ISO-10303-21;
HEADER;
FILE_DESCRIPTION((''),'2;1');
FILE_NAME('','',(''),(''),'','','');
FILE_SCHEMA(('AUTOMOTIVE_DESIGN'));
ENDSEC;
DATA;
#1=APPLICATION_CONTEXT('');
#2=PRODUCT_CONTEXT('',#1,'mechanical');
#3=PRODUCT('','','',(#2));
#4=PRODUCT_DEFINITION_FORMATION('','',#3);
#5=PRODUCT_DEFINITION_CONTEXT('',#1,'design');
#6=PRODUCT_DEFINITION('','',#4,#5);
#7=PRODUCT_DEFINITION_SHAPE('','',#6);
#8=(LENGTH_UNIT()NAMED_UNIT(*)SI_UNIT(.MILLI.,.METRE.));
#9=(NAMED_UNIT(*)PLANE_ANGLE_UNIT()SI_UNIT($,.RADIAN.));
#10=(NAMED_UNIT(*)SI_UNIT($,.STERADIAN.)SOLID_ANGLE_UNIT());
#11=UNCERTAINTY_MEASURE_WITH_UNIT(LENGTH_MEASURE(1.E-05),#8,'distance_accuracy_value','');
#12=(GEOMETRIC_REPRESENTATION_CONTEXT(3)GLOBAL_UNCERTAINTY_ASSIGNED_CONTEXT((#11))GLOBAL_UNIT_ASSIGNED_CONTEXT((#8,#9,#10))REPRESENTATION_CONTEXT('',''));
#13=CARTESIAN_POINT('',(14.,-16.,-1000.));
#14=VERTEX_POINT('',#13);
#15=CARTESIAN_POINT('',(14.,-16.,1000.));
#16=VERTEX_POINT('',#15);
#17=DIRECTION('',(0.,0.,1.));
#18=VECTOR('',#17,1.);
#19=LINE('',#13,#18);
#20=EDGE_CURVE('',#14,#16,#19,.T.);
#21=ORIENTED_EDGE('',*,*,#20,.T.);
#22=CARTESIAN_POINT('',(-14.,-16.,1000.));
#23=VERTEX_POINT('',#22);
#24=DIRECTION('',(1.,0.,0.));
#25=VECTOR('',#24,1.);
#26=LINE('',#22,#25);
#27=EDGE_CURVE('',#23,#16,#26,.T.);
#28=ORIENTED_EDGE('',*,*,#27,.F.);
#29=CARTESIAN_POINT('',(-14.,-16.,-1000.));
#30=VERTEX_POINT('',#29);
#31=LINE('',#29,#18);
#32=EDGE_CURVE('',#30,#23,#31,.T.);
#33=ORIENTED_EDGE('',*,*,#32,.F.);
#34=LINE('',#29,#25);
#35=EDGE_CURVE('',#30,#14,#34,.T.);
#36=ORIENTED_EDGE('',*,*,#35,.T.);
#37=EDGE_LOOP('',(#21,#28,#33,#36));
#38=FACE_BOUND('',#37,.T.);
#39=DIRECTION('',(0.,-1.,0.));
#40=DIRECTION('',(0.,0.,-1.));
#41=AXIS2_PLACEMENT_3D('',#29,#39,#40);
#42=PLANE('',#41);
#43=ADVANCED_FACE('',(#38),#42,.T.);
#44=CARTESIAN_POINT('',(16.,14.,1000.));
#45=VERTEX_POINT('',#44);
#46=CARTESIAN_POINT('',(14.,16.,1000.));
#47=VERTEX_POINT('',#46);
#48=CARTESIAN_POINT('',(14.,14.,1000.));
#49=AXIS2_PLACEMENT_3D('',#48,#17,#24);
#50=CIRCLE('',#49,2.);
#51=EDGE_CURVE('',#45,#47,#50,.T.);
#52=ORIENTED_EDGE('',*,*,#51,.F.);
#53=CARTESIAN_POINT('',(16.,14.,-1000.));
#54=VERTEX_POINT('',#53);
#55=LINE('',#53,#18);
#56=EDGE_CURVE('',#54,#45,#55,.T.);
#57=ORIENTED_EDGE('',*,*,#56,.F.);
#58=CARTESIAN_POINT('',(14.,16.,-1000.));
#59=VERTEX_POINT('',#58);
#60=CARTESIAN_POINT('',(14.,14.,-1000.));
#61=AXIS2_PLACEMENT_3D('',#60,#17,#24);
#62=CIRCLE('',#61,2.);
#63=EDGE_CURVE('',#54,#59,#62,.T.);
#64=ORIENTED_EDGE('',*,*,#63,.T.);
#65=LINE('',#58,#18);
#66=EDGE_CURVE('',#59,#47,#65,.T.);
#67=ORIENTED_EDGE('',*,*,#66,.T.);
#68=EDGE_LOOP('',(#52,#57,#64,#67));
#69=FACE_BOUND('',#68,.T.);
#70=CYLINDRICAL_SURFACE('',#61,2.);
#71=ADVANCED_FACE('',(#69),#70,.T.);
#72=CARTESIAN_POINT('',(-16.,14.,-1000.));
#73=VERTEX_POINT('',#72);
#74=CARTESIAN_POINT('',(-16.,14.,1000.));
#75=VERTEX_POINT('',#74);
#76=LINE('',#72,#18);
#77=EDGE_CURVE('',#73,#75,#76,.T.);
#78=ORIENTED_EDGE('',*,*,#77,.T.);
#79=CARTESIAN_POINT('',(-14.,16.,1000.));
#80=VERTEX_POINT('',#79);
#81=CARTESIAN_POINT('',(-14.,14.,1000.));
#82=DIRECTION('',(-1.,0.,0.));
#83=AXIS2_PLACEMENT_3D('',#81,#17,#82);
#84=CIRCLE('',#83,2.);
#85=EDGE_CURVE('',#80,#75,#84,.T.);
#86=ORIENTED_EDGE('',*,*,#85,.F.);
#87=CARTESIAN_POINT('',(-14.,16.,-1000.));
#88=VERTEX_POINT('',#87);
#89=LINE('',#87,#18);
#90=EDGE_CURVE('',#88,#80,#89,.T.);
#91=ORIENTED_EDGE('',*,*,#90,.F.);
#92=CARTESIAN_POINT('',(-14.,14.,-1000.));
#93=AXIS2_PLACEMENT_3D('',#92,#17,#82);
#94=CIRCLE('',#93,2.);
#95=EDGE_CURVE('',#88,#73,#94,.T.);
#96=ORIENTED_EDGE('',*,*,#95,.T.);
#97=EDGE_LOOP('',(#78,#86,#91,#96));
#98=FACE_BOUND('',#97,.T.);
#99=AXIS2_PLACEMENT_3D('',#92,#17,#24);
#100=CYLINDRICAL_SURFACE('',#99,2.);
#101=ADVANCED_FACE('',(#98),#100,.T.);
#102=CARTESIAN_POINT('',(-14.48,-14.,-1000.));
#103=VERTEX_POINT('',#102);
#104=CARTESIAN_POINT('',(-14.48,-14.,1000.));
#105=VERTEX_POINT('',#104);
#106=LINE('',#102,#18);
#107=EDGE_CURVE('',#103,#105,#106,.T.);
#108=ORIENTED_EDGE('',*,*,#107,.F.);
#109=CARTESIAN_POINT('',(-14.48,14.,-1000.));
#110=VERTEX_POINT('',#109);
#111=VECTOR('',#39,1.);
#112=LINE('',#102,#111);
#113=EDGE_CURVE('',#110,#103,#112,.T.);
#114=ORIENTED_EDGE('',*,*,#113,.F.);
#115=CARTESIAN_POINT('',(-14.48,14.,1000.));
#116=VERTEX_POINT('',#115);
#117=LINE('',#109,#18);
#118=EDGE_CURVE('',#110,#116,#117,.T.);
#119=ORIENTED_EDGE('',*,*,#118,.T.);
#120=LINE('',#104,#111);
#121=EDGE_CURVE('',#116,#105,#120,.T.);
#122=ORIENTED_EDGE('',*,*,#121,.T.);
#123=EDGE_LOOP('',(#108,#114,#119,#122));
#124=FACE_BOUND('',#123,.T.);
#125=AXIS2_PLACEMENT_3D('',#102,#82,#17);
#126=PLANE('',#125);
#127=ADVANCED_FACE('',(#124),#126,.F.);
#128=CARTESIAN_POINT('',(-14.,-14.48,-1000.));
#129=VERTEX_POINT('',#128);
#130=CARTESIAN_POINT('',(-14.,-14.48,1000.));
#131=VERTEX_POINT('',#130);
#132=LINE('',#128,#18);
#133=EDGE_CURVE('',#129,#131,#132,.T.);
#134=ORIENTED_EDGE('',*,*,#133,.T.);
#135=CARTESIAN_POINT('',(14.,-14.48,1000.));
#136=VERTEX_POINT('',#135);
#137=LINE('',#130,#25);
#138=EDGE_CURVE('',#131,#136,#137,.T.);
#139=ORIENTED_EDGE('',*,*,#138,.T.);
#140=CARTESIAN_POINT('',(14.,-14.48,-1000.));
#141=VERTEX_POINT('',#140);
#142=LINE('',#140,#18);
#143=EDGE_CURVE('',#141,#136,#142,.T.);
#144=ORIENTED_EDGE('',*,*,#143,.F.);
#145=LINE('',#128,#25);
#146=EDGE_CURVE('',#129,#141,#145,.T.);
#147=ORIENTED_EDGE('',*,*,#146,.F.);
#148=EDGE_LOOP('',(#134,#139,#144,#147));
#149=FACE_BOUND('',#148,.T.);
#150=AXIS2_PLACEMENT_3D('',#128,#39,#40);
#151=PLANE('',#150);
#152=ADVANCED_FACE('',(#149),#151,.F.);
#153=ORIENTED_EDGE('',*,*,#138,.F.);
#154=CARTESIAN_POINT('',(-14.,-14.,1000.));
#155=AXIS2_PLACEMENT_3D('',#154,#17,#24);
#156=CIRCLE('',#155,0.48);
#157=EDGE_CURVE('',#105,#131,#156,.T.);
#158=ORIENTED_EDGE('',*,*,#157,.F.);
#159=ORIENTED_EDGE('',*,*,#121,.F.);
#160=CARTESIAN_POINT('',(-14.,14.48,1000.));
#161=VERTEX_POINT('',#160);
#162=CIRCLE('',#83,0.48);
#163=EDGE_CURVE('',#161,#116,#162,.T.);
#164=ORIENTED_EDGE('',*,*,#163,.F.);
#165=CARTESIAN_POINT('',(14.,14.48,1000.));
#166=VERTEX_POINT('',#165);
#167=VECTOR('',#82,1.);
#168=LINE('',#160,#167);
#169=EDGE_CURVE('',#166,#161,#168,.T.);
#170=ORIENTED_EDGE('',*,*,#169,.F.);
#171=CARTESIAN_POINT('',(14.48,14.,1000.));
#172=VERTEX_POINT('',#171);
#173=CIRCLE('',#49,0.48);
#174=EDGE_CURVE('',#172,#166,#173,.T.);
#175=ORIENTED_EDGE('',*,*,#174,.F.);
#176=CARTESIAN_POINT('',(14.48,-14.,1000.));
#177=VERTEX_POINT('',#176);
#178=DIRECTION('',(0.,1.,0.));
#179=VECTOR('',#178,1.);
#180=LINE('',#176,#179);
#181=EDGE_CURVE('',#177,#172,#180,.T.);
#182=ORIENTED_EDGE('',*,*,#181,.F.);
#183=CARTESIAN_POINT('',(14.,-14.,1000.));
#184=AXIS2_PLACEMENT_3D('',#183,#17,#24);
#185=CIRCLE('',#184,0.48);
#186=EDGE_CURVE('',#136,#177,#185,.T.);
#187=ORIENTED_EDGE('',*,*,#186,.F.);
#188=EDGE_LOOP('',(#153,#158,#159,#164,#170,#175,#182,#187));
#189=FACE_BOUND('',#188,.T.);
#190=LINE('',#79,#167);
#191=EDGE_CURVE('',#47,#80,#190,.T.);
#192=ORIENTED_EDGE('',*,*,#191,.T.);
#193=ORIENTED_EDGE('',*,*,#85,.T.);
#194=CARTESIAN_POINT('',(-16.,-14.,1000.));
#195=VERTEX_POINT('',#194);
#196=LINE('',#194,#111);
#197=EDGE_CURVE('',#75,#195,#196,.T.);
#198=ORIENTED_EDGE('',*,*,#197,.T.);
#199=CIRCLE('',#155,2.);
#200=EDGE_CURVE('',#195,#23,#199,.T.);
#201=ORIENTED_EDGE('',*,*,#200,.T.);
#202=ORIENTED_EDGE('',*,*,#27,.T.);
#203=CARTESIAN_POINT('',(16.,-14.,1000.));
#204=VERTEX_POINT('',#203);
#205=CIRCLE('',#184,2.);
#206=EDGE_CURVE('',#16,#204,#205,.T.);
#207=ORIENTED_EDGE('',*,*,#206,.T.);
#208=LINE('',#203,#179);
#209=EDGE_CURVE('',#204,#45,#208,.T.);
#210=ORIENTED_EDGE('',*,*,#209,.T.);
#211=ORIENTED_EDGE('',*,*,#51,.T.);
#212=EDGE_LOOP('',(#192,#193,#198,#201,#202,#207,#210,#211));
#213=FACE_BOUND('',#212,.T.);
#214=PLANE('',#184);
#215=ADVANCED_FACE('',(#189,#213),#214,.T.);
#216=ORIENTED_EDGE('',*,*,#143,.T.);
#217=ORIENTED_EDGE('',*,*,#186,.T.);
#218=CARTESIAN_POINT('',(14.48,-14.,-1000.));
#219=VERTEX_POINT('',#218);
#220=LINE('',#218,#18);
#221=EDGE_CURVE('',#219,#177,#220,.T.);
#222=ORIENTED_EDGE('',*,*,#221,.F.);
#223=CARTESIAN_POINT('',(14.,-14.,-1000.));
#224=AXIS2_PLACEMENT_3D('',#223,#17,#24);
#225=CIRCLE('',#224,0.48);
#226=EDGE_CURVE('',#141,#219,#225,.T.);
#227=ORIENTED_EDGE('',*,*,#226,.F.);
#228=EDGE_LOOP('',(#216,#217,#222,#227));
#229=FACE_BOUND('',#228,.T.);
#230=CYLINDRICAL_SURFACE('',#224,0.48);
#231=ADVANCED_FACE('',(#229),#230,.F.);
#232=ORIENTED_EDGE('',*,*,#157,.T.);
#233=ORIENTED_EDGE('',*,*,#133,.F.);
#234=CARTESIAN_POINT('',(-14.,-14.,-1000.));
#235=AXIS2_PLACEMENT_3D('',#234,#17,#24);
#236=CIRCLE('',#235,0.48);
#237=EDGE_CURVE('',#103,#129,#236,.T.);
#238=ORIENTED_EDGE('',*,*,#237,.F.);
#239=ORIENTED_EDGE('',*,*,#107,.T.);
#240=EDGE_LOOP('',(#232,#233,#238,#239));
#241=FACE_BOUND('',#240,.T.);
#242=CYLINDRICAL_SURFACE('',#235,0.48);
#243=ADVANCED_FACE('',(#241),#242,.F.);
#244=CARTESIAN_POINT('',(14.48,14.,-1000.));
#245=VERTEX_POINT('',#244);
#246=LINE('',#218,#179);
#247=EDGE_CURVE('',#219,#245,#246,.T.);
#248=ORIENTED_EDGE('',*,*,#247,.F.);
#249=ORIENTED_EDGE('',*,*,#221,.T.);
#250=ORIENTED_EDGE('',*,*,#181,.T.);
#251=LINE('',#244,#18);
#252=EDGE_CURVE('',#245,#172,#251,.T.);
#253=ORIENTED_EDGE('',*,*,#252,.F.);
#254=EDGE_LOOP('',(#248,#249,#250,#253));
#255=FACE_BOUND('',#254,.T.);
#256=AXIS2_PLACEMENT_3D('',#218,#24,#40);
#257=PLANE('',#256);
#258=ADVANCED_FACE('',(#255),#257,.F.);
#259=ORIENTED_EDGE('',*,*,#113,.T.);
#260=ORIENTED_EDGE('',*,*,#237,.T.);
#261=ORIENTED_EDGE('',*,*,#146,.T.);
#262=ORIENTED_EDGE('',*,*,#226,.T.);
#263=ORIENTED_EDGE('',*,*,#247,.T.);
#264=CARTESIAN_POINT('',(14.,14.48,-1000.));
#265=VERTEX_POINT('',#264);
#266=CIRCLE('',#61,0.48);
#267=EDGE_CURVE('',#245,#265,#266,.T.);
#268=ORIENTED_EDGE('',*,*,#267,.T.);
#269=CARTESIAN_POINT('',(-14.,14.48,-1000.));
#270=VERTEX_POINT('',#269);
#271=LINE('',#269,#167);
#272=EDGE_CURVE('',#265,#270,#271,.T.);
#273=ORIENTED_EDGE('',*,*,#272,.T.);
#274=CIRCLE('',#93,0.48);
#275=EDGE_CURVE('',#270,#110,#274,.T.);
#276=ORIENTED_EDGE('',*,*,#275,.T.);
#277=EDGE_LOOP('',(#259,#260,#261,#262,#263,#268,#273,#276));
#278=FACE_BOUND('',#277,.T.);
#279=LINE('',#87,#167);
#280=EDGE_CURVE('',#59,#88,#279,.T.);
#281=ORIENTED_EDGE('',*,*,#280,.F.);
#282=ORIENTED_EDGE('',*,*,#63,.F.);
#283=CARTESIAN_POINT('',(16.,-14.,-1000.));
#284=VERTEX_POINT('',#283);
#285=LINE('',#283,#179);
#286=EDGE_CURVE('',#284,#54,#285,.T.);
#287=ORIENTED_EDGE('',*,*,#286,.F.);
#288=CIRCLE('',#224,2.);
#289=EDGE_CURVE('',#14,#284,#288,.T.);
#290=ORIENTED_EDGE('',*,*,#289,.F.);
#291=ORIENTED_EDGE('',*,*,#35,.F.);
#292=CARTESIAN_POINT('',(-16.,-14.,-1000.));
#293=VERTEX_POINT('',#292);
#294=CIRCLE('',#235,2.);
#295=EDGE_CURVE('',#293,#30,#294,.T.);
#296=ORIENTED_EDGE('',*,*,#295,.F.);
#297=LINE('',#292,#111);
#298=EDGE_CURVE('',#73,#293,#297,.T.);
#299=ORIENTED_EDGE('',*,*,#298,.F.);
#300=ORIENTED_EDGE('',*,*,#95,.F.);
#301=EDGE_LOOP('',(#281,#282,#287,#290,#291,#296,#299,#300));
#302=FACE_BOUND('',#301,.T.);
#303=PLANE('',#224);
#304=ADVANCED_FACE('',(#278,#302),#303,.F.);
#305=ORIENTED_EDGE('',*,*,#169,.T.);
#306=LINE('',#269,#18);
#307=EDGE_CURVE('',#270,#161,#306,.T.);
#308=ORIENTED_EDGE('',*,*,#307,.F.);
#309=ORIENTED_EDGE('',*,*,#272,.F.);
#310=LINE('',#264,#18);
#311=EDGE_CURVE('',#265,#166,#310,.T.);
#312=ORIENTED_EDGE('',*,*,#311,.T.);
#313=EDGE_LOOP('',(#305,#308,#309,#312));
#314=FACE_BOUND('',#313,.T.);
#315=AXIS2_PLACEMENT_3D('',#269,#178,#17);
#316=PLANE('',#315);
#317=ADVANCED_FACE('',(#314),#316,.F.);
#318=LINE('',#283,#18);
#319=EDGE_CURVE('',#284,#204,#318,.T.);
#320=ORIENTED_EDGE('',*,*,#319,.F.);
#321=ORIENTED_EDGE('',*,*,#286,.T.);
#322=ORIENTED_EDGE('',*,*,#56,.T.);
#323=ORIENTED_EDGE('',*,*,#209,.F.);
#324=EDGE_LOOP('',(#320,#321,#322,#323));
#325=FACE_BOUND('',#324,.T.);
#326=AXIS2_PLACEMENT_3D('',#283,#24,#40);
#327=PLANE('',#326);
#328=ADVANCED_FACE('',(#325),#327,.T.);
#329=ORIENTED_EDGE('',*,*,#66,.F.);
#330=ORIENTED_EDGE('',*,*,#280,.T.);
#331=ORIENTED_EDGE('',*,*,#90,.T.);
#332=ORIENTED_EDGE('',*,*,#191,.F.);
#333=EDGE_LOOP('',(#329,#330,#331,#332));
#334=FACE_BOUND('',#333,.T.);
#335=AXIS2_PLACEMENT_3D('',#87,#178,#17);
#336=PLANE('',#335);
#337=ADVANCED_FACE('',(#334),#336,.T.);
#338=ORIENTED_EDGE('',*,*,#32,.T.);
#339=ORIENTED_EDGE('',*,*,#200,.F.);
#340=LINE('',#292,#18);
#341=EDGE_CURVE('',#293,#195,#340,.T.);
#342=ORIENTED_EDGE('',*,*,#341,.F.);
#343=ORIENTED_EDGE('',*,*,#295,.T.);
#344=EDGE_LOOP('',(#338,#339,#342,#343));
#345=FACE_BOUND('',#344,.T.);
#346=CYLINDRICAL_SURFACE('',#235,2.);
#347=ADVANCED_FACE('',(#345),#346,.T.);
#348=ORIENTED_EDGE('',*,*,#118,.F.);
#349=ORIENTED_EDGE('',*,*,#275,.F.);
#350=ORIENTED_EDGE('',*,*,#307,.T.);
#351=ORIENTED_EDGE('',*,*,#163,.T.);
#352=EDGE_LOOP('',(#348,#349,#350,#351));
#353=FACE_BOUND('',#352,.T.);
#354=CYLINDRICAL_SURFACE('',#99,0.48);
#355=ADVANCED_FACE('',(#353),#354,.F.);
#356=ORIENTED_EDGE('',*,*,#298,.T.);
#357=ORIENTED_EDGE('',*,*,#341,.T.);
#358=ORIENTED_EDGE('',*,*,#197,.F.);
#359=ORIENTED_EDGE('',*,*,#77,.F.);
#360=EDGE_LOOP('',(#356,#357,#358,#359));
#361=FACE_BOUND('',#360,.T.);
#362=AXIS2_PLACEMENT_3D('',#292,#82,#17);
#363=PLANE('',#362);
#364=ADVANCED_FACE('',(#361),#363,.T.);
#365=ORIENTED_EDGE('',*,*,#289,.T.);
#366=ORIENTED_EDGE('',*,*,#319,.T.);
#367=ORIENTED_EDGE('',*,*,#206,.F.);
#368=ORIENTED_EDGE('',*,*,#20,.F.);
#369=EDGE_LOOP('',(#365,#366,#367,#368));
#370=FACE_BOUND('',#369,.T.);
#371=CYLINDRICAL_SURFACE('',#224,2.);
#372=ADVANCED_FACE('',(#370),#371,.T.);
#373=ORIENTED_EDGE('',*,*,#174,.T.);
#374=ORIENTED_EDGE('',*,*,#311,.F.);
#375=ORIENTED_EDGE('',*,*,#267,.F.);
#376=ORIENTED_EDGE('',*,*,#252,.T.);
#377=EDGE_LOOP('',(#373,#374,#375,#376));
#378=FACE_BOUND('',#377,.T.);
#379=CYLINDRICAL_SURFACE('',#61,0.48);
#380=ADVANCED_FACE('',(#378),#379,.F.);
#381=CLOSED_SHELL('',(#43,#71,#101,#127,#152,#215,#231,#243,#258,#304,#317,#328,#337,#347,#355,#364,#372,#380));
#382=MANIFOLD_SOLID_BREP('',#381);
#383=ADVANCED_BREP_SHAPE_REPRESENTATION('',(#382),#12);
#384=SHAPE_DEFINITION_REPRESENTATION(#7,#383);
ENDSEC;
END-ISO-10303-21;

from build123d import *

# Parameters (mm, degrees)
BOSS_EXTRUDE1_DEPTH      = 1000
BOSS_EXTRUDE1_DEPTH_BACK = 1000


with BuildPart() as part:
    # Sketch1 → Boss-Extrude1 (new, two sides: drawn at the far end of the back side and taken through both)
    with BuildSketch(Plane.XY.offset(-BOSS_EXTRUDE1_DEPTH_BACK)):
        with BuildLine():
            Line((-14, -16), (14, -16))
            ThreePointArc((14, -16), (15.414213562, -15.414213562), (16, -14))
            Line((16, -14), (16, 14))
            ThreePointArc((16, 14), (15.414213562, 15.414213562), (14, 16))
            Line((14, 16), (-14, 16))
            ThreePointArc((-14, 16), (-15.414213562, 15.414213562), (-16, 14))
            Line((-16, 14), (-16, -14))
            ThreePointArc((-16, -14), (-15.414213562, -15.414213562), (-14, -16))
        make_face()
        with BuildLine():
            Line((-14, 14.48), (14, 14.48))
            ThreePointArc((14, 14.48), (14.339411255, 14.339411255), (14.48, 14))
            Line((14.48, 14), (14.48, -14))
            ThreePointArc((14.48, -14), (14.339411255, -14.339411255), (14, -14.48))
            Line((14, -14.48), (-14, -14.48))
            ThreePointArc((-14, -14.48), (-14.339411255, -14.339411255), (-14.48, -14))
            Line((-14.48, -14), (-14.48, 14))
            ThreePointArc((-14.48, 14), (-14.339411255, 14.339411255), (-14, 14.48))
        make_face(mode=Mode.SUBTRACT)
    extrude(amount=BOSS_EXTRUDE1_DEPTH + BOSS_EXTRUDE1_DEPTH_BACK)


solid = part.part
